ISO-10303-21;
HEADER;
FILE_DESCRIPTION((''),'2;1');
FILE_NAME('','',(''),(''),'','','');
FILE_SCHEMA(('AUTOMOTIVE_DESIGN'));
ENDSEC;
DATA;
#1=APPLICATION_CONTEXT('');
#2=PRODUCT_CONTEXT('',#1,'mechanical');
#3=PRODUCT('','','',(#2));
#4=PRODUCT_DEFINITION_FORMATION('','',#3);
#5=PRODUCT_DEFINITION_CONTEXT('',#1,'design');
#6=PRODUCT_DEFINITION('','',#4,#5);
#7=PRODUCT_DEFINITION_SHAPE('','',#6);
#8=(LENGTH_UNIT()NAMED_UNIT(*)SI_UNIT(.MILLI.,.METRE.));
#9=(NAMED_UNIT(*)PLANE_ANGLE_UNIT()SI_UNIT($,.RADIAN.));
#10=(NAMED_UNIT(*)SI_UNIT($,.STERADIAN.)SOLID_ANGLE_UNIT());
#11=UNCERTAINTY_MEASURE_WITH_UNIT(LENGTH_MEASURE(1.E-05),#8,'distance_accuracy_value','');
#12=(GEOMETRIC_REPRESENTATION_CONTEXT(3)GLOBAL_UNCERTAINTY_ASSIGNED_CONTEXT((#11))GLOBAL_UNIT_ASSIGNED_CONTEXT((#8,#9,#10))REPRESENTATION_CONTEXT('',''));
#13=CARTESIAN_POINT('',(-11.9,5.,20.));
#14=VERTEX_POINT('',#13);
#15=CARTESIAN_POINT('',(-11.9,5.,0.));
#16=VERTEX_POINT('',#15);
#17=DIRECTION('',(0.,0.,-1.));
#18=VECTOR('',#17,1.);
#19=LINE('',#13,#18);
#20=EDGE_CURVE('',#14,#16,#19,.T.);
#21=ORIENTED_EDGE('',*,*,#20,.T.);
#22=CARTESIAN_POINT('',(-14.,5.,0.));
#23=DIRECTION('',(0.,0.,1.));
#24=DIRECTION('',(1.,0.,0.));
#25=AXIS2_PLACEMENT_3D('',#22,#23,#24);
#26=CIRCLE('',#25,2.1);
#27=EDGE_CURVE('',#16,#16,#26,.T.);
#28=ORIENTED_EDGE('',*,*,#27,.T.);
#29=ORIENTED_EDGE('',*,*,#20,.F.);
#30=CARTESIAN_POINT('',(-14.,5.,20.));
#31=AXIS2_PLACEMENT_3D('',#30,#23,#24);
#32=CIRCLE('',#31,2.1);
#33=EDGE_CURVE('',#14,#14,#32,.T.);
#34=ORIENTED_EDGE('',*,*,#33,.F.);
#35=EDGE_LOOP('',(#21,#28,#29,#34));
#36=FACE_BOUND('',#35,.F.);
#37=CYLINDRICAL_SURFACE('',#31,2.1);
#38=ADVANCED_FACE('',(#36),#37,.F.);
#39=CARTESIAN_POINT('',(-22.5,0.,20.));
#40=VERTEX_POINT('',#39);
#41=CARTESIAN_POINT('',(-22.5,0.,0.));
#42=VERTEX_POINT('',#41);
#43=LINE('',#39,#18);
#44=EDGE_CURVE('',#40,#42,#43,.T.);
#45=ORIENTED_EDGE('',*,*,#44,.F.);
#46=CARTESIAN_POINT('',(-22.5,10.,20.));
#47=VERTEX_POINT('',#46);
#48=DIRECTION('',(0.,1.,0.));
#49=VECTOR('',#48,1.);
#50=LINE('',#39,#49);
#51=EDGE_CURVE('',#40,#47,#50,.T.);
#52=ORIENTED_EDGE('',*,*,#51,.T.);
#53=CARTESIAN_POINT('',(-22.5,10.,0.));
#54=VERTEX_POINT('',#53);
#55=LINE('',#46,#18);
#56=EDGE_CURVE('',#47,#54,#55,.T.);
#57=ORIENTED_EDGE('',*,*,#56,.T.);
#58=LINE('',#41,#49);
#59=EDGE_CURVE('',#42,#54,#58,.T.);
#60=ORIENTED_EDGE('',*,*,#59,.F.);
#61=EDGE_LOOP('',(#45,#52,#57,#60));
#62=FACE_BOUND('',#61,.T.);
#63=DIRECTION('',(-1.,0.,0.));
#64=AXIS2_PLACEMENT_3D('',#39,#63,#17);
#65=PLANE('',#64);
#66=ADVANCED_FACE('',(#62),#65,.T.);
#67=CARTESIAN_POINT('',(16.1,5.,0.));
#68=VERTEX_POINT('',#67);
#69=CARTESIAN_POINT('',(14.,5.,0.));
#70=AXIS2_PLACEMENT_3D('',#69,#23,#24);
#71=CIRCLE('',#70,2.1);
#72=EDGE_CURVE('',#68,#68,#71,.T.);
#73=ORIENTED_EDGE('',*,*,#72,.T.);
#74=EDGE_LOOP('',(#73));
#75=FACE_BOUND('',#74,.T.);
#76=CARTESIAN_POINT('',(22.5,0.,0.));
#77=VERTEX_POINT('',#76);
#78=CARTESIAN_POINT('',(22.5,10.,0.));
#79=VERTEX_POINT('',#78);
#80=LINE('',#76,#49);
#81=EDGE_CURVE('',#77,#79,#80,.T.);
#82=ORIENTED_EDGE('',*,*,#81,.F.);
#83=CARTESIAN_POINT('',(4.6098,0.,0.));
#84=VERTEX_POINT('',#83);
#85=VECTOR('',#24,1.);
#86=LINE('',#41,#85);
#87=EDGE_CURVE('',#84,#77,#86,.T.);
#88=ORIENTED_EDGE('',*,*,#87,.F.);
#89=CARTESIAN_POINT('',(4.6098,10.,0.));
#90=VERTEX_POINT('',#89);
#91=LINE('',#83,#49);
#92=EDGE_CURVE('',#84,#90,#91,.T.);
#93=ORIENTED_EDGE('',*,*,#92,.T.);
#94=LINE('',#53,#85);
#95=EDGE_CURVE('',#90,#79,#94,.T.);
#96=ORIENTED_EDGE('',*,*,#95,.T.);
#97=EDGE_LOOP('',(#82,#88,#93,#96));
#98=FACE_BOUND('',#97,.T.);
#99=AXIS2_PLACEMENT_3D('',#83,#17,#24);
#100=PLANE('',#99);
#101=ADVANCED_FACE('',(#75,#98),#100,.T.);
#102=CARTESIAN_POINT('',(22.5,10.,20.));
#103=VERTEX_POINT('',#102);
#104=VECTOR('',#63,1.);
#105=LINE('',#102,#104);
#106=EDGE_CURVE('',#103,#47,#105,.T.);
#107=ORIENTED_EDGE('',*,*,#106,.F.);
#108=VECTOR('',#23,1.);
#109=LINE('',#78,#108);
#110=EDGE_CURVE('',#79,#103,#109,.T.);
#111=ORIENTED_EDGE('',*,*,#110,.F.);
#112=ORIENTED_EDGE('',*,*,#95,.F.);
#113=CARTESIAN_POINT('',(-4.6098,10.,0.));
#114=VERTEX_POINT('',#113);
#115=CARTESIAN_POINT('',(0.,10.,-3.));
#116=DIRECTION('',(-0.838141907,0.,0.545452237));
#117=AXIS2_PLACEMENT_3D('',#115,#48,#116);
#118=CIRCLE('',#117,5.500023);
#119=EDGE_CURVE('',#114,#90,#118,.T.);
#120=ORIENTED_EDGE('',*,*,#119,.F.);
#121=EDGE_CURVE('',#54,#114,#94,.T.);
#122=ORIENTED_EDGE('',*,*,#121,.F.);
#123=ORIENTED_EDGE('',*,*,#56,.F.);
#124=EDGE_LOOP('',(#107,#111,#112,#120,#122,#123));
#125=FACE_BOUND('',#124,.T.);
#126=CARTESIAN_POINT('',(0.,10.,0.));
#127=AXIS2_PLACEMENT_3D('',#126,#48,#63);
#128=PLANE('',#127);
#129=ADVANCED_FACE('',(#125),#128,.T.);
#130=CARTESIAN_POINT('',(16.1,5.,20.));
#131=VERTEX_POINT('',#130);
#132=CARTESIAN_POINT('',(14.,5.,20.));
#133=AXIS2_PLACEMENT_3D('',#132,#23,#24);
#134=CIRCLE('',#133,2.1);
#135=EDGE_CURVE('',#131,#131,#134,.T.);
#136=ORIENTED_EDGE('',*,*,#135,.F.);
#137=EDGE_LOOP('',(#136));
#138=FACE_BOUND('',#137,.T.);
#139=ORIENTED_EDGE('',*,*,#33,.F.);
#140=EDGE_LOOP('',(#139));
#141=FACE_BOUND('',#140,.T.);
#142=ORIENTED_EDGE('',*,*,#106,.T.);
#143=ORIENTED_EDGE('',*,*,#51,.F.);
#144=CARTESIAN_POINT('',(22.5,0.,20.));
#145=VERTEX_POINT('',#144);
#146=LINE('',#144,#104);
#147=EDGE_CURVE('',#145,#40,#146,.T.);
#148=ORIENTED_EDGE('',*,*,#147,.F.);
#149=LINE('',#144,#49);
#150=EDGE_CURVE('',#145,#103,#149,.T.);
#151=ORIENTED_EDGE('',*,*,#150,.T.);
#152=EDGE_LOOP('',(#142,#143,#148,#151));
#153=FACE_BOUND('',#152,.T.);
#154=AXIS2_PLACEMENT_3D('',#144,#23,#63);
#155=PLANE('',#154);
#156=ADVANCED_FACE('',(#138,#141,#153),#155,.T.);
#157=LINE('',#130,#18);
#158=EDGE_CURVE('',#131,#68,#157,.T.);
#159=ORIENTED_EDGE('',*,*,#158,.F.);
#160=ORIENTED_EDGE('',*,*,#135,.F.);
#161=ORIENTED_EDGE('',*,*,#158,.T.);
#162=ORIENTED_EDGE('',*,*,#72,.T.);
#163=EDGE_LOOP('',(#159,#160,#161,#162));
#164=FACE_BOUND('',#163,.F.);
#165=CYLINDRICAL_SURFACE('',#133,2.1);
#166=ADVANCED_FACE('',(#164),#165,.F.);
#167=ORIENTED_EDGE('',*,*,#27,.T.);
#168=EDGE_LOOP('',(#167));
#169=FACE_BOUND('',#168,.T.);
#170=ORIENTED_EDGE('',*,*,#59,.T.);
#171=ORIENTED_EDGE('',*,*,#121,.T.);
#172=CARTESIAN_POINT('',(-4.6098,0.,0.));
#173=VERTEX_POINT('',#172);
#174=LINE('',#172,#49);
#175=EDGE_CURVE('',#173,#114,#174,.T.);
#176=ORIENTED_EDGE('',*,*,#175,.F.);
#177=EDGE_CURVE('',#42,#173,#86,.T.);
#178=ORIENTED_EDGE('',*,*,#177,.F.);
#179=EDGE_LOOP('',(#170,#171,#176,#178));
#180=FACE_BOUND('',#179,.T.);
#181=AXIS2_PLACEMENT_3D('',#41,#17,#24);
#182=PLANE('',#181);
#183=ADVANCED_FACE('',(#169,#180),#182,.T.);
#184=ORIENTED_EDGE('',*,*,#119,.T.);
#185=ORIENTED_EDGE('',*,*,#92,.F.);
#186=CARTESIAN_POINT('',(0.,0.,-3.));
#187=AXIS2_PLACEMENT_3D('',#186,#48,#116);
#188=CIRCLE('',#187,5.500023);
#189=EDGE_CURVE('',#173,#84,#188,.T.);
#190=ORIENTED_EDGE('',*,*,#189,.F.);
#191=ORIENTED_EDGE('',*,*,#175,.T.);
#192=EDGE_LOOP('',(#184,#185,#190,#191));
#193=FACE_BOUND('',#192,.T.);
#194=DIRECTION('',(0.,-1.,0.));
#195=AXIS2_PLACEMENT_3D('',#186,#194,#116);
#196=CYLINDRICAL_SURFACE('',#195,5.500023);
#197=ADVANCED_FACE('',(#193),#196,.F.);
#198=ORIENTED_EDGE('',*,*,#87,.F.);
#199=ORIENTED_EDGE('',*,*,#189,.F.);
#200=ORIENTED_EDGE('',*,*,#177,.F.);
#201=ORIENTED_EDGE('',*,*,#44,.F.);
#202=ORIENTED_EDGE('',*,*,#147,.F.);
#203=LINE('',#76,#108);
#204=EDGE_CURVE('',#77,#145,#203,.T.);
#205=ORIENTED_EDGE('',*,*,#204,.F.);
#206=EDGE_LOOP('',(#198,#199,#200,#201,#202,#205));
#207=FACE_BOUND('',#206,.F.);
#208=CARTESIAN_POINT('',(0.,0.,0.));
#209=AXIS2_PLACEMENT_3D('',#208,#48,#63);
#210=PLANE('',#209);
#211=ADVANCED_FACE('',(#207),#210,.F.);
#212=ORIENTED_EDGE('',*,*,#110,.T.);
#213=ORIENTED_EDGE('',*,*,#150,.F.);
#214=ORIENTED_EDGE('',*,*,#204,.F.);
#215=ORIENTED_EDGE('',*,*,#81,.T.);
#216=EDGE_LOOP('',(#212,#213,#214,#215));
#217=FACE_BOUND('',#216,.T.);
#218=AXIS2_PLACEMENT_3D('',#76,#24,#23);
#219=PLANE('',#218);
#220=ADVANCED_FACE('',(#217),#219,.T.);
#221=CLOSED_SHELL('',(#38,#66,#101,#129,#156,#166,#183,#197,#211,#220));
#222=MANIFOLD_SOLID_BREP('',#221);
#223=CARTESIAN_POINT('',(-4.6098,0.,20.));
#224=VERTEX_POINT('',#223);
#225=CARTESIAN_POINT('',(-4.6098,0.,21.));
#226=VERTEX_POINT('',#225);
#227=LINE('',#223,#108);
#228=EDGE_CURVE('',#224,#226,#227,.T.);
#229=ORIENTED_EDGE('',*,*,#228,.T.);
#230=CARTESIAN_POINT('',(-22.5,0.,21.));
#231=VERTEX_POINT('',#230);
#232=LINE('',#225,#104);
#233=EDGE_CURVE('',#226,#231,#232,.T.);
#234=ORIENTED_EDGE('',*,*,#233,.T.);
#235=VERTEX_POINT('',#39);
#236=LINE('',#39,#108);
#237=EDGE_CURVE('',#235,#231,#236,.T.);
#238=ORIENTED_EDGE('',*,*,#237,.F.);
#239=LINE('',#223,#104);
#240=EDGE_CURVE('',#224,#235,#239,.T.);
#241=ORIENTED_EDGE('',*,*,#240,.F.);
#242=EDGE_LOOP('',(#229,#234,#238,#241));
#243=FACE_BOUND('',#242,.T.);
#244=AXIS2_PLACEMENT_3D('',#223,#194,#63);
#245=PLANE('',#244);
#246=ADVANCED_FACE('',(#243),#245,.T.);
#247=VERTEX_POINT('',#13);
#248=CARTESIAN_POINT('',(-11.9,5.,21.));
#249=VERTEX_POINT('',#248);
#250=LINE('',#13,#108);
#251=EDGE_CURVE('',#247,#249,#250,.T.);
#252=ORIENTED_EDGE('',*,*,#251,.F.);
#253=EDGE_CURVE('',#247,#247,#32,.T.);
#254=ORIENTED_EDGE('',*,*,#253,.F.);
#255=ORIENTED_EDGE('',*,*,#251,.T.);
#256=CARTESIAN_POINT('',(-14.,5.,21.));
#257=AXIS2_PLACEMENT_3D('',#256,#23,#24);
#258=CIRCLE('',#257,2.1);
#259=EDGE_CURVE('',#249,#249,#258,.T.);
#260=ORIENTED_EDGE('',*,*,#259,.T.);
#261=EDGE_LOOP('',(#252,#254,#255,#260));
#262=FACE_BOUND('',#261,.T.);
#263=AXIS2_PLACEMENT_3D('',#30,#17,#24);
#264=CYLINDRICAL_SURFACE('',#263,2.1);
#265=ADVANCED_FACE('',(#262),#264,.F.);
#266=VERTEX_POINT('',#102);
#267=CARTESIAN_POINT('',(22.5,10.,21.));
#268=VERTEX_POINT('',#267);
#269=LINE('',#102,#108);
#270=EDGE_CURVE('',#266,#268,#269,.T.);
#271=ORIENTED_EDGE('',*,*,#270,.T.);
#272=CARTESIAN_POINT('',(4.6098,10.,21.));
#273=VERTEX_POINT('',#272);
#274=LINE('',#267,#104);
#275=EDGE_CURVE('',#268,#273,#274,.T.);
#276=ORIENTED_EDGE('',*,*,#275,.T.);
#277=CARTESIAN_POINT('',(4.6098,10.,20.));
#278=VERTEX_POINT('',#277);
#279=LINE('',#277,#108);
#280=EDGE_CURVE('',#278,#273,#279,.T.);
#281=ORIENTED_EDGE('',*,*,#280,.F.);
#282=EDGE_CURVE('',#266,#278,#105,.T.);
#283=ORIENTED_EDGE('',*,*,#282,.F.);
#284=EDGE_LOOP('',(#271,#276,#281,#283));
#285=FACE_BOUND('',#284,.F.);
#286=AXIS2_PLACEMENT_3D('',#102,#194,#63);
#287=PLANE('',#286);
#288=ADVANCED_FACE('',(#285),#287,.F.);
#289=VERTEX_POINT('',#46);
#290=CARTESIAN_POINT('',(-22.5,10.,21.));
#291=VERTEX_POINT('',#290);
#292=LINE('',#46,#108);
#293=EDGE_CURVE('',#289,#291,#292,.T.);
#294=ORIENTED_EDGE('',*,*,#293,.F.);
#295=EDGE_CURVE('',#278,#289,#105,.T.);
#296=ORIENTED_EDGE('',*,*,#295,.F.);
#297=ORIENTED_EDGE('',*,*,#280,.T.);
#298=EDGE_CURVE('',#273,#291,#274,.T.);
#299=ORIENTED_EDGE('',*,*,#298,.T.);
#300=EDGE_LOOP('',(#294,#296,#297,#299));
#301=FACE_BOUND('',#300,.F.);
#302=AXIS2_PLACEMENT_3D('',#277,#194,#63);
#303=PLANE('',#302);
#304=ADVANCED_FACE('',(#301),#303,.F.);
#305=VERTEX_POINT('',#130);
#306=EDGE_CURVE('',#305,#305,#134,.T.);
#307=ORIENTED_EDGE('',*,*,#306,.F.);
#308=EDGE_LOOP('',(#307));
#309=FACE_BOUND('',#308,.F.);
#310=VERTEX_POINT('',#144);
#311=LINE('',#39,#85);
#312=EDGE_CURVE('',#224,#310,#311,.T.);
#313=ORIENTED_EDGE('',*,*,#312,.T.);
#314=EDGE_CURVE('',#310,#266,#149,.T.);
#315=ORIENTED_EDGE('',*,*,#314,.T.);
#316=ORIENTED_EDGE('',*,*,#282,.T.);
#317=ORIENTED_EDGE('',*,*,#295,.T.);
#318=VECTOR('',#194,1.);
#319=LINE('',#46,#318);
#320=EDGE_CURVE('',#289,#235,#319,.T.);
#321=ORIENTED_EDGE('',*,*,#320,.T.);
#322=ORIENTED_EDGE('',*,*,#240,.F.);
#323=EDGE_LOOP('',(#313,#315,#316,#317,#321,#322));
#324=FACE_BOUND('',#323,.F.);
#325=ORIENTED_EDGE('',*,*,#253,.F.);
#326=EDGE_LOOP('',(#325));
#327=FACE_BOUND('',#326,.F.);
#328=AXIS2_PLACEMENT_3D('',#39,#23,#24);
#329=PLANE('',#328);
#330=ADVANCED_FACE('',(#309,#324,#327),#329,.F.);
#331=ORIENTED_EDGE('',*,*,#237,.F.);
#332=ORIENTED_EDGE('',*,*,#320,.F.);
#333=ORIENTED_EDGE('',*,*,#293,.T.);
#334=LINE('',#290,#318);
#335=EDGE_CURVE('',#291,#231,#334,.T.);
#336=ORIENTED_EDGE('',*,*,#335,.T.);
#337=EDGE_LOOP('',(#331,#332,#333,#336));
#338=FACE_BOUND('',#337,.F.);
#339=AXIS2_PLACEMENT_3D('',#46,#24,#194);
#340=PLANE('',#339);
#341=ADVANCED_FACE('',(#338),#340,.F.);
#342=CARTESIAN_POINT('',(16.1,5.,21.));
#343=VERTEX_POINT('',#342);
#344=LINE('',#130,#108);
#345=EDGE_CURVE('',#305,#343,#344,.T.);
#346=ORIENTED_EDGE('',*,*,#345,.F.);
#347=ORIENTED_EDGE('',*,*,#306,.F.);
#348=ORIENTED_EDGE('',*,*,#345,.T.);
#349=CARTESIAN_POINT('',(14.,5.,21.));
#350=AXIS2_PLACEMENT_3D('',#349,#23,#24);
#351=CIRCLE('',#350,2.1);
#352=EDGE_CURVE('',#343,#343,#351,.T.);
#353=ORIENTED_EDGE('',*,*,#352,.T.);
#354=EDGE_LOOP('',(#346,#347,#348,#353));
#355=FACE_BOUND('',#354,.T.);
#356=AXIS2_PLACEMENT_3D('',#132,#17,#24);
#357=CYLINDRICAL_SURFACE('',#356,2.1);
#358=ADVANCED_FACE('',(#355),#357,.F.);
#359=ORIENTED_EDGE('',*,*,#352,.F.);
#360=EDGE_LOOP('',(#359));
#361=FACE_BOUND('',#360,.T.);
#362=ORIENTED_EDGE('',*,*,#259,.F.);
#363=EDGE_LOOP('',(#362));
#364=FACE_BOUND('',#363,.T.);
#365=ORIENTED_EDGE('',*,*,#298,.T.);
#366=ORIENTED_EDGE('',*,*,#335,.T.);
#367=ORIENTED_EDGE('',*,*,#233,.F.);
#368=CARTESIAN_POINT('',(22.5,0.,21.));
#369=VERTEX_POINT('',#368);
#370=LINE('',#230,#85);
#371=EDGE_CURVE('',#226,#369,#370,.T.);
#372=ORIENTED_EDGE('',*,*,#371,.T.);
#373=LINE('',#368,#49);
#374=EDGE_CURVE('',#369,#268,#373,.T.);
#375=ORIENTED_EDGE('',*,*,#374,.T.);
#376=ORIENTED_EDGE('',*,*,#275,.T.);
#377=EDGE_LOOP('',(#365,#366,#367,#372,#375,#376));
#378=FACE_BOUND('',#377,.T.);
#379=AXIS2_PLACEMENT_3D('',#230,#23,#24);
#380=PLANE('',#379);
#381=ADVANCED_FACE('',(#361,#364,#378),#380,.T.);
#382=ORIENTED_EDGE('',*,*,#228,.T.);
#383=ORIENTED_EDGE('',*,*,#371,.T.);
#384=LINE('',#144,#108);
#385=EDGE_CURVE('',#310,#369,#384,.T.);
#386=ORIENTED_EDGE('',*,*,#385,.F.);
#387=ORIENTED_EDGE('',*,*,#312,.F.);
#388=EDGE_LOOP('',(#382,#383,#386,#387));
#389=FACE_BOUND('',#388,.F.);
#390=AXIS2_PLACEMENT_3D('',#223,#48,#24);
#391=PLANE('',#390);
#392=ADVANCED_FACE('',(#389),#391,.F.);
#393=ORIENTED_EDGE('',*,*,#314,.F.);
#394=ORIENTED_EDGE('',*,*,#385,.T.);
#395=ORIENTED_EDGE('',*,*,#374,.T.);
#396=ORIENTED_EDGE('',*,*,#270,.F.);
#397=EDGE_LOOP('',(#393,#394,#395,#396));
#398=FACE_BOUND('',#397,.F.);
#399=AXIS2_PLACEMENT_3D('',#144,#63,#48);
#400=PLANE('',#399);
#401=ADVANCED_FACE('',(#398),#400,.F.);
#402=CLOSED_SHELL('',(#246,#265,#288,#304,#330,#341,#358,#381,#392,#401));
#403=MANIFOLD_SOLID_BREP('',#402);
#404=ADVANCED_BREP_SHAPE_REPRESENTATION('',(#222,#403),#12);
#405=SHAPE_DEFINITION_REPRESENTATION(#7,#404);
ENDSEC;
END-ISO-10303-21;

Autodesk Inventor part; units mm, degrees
ref_plane "YZ Plane" through (0, 0, 0) normal (1, 0, 0) x (0, 1, 0)
ref_plane "XZ Plane" through (0, 0, 0) normal (0, 1, 0) x (-1, 0, 0)
ref_plane "XY Plane" through (0, 0, 0) normal (0, 0, 1) x (1, 0, 0)
sketch "Sketch1" plane through (0, 0, 0) normal (0, 1, 0) x (-1, 0, 0)
  line L0 (22.5, 0) -> (-22.5, 0)
  line L1 (-22.5, 0) -> (-22.5, 20)
  line L2 (-22.5, 20) -> (22.5, 20)
  line L3 (22.5, 20) -> (22.5, 0)
  arc A0 (4.6098, 0) -> (-4.6098, 0) centre (0, -3) ccw
  point P0 (0, 0)
  point P1 (0, 0)
  dimension "d0" = 45
  dimension "d1" = 20
  dimension "d2" = 5.5
  dimension "d3" = 3
extrude "Extrusion1" add sketch "Sketch1" along normal blind 10 contours L0 A0 L1 L2 L3
sketch "Sketch2" plane through (-22.5, 0, 20) normal (0, 0, 1) x (1, 0, 0)
  circle A0 centre (8.5, 5) radius 2.1
  line L0 (22.5, 0) -> (22.5, 4.9707)
  circle A1 centre (36.5, 5) radius 2.1
  line L1 (0, 0) -> (0, 10) projected
  line L2 (0, 0) -> (45, 0) projected
  dimension "d6" = 4.2
  dimension "d7" = 8.5
  dimension "d8" = 5
extrude "Extrusion2" cut sketch "Sketch2" against normal through all
sketch "Sketch3" plane through (-22.5, 0, 20) normal (0, 0, 1) x (1, 0, 0)
  line L0 (17.8902, 0) -> (0, 0) projected
  line L1 (45, 10) -> (27.1098, 10) projected
  line L2 (0, 0) -> (45, 0)
  line L3 (45, 0) -> (45, 10)
  line L4 (45, 10) -> (0, 10)
  line L5 (0, 10) -> (0, 0)
  circle A0 centre (8.5, 5) radius 2.1 projected
  circle A1 centre (8.5, 5) radius 2.1
  circle A2 centre (36.5, 5) radius 2.1 projected
  circle A3 centre (36.5, 5) radius 2.1
  point P0 (22.5, 0)
extrude "Extrusion3" add sketch "Sketch3" along normal blind 1 separate body
properties part number "hull_rudder_tube_clamp"
